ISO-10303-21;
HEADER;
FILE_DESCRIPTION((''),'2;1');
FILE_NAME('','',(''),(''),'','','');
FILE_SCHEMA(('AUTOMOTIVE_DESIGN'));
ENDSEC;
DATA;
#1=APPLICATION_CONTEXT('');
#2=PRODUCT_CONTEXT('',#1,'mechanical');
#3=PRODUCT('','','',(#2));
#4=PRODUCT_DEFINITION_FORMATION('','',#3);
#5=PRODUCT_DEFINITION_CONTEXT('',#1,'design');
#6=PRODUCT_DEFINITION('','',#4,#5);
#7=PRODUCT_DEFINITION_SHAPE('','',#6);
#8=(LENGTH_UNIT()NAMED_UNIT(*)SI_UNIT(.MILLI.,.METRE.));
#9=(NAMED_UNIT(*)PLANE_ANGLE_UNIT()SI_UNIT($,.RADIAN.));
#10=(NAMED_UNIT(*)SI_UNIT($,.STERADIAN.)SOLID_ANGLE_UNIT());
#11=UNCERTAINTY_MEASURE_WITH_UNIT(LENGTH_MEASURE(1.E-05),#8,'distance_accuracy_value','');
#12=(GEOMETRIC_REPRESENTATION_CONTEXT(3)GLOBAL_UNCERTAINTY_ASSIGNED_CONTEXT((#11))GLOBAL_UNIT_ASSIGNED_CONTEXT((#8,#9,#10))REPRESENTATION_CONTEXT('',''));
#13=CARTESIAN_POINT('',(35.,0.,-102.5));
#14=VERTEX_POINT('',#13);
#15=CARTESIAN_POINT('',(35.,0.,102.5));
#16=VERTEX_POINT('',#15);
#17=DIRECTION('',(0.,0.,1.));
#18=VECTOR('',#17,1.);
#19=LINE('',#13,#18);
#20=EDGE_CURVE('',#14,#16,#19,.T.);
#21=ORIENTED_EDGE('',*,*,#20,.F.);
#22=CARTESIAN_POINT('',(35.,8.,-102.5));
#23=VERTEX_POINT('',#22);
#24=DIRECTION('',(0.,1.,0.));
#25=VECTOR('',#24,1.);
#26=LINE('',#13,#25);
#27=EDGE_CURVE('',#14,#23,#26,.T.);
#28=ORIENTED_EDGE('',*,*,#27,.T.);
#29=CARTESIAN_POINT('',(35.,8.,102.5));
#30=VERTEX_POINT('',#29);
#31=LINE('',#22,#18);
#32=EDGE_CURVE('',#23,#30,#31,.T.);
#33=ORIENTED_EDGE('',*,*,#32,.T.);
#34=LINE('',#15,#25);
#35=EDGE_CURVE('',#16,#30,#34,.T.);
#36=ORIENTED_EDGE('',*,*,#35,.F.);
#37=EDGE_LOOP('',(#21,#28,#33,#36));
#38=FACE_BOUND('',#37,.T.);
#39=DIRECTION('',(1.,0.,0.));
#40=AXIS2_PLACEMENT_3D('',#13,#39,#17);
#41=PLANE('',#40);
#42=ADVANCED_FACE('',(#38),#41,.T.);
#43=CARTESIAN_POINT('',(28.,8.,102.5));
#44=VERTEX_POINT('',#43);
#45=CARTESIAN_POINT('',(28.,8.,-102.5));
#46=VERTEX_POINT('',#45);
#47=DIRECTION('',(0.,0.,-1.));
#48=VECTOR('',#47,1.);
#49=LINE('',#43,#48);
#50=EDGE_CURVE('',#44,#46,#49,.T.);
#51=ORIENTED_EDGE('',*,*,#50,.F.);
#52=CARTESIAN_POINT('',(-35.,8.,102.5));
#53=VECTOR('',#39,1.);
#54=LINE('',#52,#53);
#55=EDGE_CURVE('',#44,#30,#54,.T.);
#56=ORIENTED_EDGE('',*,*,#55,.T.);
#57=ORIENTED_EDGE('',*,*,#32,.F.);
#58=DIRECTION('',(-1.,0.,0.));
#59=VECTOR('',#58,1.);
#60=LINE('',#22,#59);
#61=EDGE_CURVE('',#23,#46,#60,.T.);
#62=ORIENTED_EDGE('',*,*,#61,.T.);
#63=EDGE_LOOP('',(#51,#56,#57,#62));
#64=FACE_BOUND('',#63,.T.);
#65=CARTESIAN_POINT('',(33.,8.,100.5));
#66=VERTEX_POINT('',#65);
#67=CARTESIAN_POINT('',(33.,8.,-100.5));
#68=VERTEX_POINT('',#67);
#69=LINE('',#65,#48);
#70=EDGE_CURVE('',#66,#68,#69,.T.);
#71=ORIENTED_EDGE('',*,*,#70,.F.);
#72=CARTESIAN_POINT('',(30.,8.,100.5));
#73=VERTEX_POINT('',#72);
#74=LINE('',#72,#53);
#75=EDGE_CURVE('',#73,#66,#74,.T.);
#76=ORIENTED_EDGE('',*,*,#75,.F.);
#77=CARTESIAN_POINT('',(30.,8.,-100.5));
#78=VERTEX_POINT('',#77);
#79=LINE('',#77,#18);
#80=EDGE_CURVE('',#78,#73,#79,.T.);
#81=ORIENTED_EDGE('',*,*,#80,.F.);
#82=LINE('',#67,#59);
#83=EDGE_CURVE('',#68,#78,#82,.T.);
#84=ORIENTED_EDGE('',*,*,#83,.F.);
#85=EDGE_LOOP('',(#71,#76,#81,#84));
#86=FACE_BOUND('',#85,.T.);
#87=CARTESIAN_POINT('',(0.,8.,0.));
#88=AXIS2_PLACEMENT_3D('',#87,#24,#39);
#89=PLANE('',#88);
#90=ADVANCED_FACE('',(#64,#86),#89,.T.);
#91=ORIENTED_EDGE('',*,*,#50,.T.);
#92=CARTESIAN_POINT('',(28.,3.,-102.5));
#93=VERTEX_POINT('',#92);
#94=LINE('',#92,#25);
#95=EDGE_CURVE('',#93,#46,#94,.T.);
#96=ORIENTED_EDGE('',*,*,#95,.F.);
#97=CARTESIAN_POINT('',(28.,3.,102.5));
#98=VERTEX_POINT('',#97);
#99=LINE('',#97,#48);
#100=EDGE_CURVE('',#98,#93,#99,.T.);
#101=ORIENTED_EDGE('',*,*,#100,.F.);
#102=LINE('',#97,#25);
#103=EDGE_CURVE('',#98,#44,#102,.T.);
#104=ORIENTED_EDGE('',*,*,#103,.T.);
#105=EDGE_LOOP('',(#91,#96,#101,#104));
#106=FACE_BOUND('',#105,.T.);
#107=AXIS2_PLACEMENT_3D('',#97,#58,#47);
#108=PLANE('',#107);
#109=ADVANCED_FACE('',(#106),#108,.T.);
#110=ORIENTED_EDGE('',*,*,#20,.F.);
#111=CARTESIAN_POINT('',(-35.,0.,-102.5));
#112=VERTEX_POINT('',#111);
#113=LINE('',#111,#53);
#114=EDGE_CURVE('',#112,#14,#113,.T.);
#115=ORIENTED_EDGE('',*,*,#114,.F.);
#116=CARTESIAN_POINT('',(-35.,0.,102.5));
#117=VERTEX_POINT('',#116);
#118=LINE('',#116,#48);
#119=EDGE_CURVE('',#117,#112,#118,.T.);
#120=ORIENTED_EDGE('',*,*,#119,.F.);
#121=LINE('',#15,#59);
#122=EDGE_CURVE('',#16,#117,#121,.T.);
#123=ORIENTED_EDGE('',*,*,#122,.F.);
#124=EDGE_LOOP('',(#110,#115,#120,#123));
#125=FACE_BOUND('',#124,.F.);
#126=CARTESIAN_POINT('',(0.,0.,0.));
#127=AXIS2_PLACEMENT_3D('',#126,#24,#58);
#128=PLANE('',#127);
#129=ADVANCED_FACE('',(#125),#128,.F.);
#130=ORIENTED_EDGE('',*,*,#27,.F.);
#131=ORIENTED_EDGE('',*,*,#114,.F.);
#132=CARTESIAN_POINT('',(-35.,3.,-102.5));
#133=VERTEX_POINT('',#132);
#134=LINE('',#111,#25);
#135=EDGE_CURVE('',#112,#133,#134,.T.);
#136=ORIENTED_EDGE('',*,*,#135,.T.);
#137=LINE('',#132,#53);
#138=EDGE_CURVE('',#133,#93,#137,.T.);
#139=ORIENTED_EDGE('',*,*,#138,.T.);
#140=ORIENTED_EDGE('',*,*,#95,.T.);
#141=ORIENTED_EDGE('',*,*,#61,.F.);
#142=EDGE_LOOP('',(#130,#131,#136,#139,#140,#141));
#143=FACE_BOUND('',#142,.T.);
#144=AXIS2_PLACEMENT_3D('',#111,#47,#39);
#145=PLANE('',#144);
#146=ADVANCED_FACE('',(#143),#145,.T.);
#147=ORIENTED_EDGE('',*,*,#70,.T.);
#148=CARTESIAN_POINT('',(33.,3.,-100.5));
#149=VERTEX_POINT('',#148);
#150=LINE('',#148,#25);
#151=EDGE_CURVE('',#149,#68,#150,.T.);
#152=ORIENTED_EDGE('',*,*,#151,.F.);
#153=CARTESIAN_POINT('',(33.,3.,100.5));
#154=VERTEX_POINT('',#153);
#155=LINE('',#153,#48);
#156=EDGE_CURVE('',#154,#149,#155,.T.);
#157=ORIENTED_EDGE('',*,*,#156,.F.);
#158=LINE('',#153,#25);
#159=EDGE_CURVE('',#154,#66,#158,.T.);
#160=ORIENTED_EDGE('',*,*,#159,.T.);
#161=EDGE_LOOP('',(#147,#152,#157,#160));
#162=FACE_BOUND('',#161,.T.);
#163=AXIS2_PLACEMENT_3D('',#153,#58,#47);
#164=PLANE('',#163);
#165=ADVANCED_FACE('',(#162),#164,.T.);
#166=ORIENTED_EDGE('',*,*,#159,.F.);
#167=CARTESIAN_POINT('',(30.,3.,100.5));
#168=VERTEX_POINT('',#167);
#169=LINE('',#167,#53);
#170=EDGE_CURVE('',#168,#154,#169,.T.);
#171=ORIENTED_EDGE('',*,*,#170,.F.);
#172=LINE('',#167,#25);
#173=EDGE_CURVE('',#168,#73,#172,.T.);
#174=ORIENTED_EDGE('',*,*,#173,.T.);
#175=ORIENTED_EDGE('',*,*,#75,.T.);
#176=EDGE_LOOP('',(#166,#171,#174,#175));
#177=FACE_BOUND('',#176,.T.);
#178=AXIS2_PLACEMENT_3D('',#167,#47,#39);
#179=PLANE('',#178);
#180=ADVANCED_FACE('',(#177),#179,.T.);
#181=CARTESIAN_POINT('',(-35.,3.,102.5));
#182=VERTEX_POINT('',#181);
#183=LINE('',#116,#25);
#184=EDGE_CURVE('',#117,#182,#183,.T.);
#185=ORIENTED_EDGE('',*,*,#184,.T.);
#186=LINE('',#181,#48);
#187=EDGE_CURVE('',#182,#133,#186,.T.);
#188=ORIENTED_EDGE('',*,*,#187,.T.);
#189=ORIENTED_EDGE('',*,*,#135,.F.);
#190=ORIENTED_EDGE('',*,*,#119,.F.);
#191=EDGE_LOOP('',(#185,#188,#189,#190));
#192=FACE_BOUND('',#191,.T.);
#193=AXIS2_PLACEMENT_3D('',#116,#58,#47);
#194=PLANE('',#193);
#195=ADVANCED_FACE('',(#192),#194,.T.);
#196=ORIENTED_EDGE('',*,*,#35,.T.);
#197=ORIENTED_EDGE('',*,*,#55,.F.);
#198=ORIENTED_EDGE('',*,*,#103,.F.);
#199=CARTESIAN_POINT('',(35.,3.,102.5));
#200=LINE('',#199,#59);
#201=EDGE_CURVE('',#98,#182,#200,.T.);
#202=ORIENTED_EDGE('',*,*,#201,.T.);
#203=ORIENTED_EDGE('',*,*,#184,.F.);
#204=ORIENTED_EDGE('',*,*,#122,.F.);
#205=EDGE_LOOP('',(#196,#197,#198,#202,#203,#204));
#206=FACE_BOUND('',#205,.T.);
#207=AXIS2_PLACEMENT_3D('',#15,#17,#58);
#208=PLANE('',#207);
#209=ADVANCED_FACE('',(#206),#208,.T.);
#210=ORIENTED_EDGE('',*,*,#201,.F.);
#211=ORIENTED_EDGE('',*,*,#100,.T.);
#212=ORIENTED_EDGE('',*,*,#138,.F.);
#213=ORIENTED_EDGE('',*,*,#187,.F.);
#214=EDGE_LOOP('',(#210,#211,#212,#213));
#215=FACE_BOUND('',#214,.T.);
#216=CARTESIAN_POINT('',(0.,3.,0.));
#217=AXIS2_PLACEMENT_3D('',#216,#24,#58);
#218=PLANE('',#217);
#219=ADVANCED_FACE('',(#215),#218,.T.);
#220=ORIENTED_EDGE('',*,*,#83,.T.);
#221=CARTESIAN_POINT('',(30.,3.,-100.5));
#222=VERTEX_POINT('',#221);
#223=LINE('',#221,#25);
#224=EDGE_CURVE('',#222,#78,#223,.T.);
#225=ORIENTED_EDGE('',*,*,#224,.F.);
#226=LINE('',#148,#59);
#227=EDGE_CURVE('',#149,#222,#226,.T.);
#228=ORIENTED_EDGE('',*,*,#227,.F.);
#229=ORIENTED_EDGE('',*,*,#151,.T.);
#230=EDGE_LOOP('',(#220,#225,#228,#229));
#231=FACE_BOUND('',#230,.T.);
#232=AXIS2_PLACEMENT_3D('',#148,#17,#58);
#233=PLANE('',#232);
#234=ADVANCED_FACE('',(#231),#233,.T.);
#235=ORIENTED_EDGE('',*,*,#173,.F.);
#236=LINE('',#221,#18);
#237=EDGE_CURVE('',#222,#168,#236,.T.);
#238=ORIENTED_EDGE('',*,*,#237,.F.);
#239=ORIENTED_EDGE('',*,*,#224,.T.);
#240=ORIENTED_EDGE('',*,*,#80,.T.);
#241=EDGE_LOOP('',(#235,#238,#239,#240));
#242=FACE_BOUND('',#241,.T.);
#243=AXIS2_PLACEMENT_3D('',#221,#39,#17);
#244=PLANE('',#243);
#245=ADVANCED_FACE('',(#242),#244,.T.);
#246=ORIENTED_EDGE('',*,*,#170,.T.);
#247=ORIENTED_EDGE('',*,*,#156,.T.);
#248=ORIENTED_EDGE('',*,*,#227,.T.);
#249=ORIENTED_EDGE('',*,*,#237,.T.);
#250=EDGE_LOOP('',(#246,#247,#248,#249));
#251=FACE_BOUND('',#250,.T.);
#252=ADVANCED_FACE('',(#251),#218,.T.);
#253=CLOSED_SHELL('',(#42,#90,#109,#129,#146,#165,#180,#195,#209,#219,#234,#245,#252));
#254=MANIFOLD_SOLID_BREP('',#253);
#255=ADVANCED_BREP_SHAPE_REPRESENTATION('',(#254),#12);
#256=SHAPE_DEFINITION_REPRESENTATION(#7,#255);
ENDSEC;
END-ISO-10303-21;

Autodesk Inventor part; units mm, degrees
ref_plane "YZ Plane" through (0, 0, 0) normal (1, 0, 0) x (0, 1, 0)
ref_plane "XZ Plane" through (0, 0, 0) normal (0, 1, 0) x (-1, 0, 0)
ref_plane "XY Plane" through (0, 0, 0) normal (0, 0, 1) x (1, 0, 0)
sketch "Sketch1" plane through (0, 0, 0) normal (0, 1, 0) x (-1, 0, 0)
  line L0 (-35, 102.5) -> (35, 102.5)
  line L1 (35, 102.5) -> (35, -102.5)
  line L2 (35, -102.5) -> (-35, -102.5)
  line L3 (-35, -102.5) -> (-35, 102.5)
  line L4 (-35, 102.5) -> (35, -102.5) construction
  line L5 (35, 102.5) -> (-35, -102.5) construction
  point P0 (0, 0)
  dimension "d0" = 205
  dimension "d1" = 70
extrude "Extrusion1" add sketch "Sketch1" along normal blind 3
sketch "Sketch2" plane through (0, 3, 0) normal (0, 1, 0) x (1, 0, 0)
  line L0 (-35, -102.5) -> (35, -102.5) projected
  line L1 (35, 102.5) -> (-35, 102.5) projected
  line L2 (35, -102.5) -> (28, -102.5)
  line L3 (28, -102.5) -> (28, 102.5)
  line L4 (28, 102.5) -> (35, 102.5)
  line L5 (35, 102.5) -> (35, -102.5)
  line L6 (30, 100.5) -> (30, -100.5)
  line L7 (30, -100.5) -> (33, -100.5)
  line L8 (33, -100.5) -> (33, 100.5)
  line L9 (33, 100.5) -> (30, 100.5)
  point P0 (0, 0)
  dimension "d4" = 7
  dimension "d5" = 2
extrude "Extrusion2" add sketch "Sketch2" along normal blind 5
properties part number "base"
